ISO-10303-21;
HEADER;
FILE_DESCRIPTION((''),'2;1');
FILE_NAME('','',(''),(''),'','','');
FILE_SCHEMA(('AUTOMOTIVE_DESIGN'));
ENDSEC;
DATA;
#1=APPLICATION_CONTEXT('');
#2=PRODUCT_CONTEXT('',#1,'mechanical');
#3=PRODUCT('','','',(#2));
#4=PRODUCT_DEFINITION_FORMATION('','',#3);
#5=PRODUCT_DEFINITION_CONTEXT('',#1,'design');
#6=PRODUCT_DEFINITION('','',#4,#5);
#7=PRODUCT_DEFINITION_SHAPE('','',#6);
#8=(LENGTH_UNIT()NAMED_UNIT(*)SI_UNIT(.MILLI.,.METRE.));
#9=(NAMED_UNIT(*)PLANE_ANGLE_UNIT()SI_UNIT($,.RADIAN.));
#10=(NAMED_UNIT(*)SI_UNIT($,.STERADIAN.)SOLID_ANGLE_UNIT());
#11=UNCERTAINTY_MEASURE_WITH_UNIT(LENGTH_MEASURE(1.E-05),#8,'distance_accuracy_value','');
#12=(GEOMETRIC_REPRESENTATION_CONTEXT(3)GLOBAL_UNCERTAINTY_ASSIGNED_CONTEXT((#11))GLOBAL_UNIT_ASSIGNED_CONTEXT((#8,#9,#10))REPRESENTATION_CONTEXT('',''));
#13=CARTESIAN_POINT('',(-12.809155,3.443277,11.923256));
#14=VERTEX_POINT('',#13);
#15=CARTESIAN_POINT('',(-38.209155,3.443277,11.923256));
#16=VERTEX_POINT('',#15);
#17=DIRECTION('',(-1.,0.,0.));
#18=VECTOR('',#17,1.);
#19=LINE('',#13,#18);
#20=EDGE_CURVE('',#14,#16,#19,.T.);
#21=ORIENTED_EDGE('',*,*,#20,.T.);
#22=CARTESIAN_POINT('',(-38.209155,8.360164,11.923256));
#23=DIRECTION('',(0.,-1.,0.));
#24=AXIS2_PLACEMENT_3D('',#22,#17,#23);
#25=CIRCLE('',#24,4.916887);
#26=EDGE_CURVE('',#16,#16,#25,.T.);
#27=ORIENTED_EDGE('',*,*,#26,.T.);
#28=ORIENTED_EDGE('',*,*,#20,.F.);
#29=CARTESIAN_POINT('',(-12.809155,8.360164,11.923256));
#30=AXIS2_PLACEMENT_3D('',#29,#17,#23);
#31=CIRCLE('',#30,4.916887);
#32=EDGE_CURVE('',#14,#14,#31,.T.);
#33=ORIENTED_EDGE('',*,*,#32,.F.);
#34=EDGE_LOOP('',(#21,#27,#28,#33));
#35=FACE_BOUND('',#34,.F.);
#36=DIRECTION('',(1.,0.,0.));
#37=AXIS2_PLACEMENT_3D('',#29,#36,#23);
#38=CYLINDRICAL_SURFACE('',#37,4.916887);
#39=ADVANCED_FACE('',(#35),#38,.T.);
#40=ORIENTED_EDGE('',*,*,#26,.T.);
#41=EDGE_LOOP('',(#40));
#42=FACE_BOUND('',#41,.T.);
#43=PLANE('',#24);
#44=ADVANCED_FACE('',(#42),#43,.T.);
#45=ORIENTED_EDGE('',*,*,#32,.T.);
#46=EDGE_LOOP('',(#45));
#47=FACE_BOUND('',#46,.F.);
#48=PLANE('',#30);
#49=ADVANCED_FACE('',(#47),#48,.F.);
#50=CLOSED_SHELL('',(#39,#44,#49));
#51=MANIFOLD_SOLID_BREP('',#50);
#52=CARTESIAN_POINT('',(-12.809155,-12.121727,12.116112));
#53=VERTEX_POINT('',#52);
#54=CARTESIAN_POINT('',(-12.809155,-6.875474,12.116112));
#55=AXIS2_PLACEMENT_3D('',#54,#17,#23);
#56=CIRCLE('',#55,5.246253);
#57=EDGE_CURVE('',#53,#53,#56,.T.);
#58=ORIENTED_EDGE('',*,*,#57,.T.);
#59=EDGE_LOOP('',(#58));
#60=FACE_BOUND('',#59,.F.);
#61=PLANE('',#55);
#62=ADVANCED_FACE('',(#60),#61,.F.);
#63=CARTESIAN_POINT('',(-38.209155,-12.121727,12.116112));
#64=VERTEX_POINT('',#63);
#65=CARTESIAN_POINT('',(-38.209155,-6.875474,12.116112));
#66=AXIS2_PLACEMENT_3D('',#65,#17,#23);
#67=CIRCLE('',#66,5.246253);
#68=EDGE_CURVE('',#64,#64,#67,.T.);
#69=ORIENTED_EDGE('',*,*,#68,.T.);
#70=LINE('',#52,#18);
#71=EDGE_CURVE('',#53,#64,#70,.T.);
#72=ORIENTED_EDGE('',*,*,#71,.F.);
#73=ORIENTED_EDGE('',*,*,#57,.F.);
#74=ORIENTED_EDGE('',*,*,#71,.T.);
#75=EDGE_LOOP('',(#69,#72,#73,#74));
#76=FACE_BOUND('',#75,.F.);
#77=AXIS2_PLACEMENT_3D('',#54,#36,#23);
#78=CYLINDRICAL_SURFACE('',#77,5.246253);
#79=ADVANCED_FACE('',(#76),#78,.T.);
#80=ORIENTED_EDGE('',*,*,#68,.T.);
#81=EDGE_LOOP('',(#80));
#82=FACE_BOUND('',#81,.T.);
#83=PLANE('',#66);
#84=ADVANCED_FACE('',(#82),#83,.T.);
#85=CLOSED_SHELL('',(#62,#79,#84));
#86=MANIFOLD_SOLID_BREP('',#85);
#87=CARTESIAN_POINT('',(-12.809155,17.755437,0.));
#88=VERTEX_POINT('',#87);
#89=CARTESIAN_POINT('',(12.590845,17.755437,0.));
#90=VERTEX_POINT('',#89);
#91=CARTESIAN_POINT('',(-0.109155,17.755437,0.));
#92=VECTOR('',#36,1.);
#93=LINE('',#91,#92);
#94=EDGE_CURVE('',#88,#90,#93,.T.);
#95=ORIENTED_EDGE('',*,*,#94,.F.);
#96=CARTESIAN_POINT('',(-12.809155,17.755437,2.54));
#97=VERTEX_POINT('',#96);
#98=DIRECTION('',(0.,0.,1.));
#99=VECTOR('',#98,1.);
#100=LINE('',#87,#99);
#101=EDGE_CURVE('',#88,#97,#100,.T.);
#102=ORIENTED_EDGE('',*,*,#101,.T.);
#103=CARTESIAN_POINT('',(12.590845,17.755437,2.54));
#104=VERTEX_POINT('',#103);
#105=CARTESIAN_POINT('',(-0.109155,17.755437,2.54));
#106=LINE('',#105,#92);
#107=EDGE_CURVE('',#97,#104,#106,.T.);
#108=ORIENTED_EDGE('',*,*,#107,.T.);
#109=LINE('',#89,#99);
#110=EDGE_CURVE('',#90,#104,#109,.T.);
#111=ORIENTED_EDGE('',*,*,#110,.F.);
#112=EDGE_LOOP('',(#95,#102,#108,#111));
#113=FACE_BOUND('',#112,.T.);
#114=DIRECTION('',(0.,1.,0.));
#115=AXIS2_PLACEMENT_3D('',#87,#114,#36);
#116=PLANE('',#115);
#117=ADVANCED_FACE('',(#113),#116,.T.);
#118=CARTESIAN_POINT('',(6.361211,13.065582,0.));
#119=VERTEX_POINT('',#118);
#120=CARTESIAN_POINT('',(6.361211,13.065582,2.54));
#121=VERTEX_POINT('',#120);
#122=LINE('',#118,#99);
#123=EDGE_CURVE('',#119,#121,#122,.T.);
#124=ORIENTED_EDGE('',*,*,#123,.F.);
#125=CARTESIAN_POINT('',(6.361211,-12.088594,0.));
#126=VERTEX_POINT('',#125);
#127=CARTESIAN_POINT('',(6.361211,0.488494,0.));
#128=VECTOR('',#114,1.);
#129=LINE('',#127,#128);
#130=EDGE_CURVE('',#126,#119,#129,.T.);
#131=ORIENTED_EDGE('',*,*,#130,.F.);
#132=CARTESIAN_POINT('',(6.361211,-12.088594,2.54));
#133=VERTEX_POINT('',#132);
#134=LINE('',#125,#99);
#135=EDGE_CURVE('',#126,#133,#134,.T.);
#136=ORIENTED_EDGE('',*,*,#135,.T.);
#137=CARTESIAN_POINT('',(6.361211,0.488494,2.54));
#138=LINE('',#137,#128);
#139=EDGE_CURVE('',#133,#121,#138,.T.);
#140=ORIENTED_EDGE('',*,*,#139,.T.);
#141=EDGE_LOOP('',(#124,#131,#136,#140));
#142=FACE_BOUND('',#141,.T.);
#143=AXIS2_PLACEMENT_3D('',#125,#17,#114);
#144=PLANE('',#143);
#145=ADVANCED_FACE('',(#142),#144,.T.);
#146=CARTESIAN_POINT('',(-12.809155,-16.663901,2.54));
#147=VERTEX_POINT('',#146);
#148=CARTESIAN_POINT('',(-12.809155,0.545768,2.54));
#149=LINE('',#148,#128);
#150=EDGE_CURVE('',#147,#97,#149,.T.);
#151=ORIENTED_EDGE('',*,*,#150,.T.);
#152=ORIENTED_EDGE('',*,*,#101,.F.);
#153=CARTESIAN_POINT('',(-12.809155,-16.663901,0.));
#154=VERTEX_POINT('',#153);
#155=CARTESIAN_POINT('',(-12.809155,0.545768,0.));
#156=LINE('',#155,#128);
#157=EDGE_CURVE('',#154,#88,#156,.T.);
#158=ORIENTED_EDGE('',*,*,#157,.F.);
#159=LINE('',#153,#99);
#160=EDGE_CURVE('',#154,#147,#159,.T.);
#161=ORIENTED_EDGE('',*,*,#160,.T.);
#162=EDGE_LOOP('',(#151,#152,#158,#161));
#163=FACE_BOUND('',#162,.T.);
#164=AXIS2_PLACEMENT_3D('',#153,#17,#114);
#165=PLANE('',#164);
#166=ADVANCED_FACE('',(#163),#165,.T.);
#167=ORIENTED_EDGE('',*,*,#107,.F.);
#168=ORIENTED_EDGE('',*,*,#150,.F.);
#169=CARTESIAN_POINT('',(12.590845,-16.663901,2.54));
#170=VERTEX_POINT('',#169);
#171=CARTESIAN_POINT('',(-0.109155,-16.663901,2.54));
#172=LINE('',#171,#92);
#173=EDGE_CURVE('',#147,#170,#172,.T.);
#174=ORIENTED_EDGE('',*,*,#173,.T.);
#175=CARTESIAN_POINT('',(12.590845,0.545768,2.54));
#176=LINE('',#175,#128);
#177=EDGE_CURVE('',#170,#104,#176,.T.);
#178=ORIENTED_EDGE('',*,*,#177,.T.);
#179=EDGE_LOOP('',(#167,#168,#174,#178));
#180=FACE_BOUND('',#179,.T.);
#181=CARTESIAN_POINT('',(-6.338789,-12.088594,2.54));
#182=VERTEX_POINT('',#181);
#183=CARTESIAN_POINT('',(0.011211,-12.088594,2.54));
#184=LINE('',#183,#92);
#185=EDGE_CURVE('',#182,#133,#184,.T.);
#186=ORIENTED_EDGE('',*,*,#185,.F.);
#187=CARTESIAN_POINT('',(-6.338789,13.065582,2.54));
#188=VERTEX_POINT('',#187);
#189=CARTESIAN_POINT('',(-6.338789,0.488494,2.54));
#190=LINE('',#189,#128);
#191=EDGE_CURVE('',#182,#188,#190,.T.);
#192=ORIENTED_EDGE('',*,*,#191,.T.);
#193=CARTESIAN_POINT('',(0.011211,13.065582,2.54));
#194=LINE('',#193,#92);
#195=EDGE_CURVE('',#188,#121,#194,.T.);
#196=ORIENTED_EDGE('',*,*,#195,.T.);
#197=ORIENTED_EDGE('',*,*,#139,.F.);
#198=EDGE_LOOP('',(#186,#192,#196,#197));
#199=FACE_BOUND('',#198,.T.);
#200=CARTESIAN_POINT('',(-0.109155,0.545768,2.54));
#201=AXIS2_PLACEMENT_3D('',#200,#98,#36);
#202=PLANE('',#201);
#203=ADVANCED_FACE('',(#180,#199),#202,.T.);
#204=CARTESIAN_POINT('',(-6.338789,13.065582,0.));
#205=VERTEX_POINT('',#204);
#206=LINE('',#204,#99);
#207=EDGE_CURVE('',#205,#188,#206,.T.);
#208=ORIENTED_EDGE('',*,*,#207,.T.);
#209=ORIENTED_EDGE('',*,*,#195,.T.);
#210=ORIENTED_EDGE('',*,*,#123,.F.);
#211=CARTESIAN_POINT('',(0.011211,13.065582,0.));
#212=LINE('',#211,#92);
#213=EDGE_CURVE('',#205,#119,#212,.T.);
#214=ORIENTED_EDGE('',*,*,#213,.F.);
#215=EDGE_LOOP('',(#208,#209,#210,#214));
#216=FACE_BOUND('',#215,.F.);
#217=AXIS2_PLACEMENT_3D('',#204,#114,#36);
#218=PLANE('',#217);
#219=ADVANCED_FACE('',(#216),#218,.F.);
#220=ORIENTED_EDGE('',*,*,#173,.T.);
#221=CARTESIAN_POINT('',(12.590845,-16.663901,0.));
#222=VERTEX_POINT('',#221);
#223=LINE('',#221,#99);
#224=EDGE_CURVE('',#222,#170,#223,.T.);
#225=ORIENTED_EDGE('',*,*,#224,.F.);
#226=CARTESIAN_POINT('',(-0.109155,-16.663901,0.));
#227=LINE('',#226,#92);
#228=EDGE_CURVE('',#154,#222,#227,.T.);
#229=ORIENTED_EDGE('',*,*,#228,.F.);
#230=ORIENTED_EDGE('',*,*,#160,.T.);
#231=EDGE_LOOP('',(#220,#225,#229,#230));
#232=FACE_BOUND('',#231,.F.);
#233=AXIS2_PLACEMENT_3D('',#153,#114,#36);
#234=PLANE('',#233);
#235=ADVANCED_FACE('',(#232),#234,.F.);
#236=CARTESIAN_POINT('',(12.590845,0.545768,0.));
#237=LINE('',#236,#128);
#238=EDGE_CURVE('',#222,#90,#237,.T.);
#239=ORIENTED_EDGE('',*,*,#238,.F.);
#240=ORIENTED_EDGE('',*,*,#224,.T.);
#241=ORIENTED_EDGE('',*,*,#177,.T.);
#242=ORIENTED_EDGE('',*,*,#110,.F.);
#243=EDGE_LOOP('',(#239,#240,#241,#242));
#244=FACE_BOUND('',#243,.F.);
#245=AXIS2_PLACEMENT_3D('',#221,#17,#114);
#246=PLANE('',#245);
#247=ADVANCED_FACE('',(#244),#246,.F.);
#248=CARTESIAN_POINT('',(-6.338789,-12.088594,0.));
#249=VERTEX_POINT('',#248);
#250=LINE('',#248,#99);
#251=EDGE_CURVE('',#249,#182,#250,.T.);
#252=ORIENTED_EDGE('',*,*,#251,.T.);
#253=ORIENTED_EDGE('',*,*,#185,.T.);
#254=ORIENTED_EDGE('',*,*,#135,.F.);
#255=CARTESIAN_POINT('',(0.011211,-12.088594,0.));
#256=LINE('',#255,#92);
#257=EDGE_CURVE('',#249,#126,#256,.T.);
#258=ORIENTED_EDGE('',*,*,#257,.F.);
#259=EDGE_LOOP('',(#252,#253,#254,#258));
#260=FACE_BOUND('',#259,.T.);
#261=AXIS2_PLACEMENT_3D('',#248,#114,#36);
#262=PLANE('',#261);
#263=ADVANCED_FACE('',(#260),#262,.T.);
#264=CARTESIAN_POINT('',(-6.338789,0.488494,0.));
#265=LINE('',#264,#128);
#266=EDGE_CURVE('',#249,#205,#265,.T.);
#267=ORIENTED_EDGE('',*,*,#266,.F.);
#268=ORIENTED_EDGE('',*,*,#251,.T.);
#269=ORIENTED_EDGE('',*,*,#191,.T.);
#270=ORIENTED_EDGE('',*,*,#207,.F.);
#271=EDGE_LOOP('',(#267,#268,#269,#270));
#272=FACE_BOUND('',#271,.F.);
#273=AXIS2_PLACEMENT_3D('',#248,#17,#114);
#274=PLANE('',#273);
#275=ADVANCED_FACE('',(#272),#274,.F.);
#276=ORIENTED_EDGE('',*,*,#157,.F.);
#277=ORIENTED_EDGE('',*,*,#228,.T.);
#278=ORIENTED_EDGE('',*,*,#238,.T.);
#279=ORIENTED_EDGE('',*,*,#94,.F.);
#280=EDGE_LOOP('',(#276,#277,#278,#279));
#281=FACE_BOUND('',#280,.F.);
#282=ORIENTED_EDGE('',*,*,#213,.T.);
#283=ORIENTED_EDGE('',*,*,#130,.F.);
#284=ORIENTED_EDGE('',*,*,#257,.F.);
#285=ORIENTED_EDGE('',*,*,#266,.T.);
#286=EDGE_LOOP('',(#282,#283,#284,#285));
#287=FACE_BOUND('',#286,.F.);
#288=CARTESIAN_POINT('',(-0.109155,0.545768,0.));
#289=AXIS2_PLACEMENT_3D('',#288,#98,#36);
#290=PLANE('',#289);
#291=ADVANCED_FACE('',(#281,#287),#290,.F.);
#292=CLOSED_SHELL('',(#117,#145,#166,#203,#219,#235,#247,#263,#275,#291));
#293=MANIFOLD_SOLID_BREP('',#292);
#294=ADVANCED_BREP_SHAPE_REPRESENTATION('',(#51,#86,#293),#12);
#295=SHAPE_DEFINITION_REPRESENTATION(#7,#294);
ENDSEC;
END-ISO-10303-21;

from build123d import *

# Parameters (mm, degrees)
F0_W     = 25.4
F0_H     = 34.419338
F0_W_2   = 12.7
F0_H_2   = 25.154176
F1_DEPTH = 2.54
F2_R     = 4.916887
F2_R_2   = 5.246253
F3_DEPTH = 25.4


with BuildPart() as f1:
    # F0 (on Top) → F1 (new body)
    with BuildSketch(Plane.XY):
        with Locations((-0.109155, 0.545768)):
            Rectangle(F0_W, F0_H)
        with Locations((0.011211, 0.488494)):
            Rectangle(F0_W_2, F0_H_2, mode=Mode.SUBTRACT)
    extrude(amount=F1_DEPTH)


with BuildPart() as f3:
    # F2 (on face) → F3 (new body)
    with BuildSketch(Plane(origin=(-12.809155, 0, 0), x_dir=(0, -1, 0), z_dir=(-1, 0, 0))):
        with Locations((-8.360164, 11.923256)):
            Circle(F2_R)
        with Locations((6.875474, 12.116112)):
            Circle(F2_R_2)
    extrude(amount=F3_DEPTH)


solid = Compound([f1.part, f3.part])
